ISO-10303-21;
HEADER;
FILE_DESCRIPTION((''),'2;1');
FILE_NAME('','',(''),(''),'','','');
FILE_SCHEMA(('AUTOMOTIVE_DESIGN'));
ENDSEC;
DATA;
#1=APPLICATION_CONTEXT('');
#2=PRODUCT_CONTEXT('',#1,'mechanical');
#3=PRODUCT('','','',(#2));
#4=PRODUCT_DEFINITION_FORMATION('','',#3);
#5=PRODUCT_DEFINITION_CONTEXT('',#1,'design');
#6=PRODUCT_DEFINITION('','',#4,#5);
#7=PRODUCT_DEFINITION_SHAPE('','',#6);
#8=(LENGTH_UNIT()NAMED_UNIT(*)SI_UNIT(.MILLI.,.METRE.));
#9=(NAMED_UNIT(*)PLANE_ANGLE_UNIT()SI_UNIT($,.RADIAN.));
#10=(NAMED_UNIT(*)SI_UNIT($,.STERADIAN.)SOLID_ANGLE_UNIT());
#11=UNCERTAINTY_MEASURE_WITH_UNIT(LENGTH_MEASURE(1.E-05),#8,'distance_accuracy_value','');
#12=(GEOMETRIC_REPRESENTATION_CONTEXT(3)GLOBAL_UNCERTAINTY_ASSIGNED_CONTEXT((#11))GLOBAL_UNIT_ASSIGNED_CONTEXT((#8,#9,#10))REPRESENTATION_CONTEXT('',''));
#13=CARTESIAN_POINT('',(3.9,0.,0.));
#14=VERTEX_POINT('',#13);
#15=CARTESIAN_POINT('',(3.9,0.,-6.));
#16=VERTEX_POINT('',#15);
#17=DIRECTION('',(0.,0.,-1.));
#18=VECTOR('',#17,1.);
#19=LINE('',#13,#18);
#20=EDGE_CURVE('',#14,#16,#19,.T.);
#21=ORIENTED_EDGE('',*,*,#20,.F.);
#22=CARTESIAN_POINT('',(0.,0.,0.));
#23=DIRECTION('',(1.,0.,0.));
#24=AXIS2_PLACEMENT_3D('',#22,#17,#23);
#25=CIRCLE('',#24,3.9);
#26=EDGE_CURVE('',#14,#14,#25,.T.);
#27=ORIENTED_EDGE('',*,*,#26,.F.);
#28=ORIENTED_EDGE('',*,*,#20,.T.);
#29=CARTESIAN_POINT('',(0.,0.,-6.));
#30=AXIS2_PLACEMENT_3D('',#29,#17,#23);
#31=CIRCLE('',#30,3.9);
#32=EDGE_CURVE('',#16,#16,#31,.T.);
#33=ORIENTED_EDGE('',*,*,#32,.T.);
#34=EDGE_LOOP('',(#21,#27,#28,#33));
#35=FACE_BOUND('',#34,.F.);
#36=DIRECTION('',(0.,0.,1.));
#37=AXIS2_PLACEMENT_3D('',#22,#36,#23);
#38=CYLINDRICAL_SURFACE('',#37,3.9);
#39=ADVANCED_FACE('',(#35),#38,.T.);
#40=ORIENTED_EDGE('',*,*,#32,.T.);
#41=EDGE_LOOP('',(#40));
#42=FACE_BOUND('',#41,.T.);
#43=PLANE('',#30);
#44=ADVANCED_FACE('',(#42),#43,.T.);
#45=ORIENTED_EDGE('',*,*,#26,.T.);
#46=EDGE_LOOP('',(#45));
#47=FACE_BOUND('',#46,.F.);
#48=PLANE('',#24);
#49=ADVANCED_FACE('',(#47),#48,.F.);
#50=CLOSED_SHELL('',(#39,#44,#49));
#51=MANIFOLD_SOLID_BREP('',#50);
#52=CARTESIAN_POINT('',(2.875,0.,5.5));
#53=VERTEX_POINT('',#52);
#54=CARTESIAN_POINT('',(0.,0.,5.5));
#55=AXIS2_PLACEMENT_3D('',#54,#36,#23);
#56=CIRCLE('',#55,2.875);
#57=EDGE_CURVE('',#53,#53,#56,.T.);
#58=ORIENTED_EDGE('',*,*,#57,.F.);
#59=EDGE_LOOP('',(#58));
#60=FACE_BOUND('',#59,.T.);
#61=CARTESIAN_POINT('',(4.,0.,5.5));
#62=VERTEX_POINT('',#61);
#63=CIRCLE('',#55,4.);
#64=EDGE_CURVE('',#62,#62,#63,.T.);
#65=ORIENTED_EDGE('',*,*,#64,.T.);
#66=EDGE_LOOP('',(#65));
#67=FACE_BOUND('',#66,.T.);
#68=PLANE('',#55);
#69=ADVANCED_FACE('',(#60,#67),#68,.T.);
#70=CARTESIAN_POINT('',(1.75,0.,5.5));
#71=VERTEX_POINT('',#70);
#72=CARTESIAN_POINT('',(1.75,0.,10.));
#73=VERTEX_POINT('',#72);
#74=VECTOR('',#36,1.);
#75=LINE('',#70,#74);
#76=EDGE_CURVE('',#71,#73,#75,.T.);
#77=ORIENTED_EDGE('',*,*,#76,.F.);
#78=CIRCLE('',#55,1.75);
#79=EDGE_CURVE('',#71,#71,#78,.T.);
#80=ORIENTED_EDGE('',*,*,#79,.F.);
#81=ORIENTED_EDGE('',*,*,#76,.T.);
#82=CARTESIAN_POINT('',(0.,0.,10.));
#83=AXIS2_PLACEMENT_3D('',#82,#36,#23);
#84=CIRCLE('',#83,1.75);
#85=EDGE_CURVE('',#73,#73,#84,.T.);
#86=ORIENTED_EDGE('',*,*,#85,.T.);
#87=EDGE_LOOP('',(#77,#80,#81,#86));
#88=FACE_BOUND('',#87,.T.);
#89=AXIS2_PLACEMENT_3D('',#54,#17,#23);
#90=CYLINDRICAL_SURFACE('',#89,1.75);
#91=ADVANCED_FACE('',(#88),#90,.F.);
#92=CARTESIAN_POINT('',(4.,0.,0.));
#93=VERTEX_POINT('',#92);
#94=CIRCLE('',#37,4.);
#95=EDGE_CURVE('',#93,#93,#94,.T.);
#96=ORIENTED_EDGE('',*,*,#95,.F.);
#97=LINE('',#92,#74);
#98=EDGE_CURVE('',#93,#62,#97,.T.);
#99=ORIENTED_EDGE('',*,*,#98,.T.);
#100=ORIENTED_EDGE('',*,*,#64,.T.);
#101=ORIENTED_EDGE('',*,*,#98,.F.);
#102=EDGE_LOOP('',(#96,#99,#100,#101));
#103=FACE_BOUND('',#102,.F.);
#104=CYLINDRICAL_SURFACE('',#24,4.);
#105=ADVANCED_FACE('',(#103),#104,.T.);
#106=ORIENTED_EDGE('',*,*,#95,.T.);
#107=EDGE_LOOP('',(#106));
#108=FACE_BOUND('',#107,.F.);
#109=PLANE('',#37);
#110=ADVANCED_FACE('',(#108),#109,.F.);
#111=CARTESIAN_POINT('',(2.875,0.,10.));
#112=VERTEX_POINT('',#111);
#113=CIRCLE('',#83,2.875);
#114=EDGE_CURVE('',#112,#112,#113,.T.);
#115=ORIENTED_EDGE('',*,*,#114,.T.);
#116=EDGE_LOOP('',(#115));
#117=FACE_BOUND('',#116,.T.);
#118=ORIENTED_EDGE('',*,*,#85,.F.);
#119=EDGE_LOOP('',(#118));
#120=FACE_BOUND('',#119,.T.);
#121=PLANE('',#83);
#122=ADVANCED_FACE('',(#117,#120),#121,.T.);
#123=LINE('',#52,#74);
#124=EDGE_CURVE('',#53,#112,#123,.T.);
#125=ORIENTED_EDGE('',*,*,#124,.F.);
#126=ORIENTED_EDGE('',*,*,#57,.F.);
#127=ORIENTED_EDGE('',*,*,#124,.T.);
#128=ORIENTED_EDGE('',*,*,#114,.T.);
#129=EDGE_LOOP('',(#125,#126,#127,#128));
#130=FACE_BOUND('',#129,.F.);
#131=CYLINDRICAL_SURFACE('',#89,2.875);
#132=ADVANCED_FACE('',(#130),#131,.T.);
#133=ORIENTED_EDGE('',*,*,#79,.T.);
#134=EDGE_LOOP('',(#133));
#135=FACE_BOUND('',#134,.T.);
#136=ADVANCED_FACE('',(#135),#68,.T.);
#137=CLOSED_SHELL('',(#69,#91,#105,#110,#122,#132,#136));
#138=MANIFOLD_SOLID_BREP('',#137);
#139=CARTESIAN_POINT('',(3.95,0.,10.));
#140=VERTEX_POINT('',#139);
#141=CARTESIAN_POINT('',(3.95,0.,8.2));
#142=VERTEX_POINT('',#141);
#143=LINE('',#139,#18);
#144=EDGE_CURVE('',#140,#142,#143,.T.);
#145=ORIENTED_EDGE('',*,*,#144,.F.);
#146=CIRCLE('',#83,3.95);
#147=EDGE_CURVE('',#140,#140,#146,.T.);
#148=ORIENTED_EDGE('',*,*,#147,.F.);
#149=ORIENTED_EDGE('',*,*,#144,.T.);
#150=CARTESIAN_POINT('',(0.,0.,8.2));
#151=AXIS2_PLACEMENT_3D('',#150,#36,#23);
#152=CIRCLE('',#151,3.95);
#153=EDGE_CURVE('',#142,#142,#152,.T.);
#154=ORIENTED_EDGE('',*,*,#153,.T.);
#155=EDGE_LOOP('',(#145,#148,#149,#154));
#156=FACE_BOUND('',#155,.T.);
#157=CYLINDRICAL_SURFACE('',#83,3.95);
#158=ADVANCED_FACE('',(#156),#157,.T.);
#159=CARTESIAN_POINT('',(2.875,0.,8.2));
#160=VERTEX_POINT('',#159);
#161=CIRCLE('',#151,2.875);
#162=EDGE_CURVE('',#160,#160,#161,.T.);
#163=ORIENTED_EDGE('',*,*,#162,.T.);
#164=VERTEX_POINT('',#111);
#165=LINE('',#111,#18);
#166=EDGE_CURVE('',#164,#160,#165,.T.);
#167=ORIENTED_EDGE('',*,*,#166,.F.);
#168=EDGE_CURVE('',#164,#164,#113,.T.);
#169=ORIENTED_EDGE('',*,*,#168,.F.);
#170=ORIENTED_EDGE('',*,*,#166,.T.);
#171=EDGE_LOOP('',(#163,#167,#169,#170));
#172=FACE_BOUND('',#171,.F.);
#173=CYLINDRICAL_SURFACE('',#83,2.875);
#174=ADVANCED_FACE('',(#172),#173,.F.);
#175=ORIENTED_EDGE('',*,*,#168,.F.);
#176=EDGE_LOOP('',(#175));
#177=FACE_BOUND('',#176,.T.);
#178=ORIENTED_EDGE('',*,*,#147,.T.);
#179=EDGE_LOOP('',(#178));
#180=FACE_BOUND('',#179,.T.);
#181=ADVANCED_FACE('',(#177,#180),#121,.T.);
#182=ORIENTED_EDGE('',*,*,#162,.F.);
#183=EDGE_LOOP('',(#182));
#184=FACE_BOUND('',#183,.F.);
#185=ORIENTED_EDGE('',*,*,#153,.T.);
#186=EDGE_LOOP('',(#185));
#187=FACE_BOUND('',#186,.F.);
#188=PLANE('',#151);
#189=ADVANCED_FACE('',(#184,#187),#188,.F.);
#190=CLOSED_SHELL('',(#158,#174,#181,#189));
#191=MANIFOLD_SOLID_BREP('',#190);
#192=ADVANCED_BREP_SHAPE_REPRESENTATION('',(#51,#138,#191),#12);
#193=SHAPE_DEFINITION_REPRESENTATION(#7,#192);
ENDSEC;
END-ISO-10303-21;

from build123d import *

# Parameters (mm, degrees)
F0_R     = 4
F1_DEPTH = 5.5
F2_R     = 3.9
F3_DEPTH = 6
F4_R     = 2.875
F4_R_2   = 1.75
F5_DEPTH = 4.5
F6_R     = 3.95
F6_R_2   = 2.875
F7_DEPTH = 1.8


with BuildPart() as f1:
    # F0 (on Top) → F1 (new body)
    with BuildSketch(Plane.XY):
        Circle(F0_R)
    extrude(amount=F1_DEPTH)

    # F4 (on face) → F5 (join)
    with BuildSketch(Plane.XY.offset(5.5)):
        Circle(F4_R)
        Circle(F4_R_2, mode=Mode.SUBTRACT)
    extrude(amount=F5_DEPTH)


with BuildPart() as f3:
    # F2 (on face) → F3 (new body)
    with BuildSketch(Plane(origin=(0, 0, 0), x_dir=(1, 0, 0), z_dir=(0, 0, -1))):
        Circle(F2_R)
    extrude(amount=F3_DEPTH)


with BuildPart() as f7:
    # F6 (on face) → F7 (new body)
    with BuildSketch(Plane.XY.offset(10)):
        Circle(F6_R)
        Circle(F6_R_2, mode=Mode.SUBTRACT)
    extrude(amount=-F7_DEPTH)


solid = Compound([f1.part, f3.part, f7.part])
